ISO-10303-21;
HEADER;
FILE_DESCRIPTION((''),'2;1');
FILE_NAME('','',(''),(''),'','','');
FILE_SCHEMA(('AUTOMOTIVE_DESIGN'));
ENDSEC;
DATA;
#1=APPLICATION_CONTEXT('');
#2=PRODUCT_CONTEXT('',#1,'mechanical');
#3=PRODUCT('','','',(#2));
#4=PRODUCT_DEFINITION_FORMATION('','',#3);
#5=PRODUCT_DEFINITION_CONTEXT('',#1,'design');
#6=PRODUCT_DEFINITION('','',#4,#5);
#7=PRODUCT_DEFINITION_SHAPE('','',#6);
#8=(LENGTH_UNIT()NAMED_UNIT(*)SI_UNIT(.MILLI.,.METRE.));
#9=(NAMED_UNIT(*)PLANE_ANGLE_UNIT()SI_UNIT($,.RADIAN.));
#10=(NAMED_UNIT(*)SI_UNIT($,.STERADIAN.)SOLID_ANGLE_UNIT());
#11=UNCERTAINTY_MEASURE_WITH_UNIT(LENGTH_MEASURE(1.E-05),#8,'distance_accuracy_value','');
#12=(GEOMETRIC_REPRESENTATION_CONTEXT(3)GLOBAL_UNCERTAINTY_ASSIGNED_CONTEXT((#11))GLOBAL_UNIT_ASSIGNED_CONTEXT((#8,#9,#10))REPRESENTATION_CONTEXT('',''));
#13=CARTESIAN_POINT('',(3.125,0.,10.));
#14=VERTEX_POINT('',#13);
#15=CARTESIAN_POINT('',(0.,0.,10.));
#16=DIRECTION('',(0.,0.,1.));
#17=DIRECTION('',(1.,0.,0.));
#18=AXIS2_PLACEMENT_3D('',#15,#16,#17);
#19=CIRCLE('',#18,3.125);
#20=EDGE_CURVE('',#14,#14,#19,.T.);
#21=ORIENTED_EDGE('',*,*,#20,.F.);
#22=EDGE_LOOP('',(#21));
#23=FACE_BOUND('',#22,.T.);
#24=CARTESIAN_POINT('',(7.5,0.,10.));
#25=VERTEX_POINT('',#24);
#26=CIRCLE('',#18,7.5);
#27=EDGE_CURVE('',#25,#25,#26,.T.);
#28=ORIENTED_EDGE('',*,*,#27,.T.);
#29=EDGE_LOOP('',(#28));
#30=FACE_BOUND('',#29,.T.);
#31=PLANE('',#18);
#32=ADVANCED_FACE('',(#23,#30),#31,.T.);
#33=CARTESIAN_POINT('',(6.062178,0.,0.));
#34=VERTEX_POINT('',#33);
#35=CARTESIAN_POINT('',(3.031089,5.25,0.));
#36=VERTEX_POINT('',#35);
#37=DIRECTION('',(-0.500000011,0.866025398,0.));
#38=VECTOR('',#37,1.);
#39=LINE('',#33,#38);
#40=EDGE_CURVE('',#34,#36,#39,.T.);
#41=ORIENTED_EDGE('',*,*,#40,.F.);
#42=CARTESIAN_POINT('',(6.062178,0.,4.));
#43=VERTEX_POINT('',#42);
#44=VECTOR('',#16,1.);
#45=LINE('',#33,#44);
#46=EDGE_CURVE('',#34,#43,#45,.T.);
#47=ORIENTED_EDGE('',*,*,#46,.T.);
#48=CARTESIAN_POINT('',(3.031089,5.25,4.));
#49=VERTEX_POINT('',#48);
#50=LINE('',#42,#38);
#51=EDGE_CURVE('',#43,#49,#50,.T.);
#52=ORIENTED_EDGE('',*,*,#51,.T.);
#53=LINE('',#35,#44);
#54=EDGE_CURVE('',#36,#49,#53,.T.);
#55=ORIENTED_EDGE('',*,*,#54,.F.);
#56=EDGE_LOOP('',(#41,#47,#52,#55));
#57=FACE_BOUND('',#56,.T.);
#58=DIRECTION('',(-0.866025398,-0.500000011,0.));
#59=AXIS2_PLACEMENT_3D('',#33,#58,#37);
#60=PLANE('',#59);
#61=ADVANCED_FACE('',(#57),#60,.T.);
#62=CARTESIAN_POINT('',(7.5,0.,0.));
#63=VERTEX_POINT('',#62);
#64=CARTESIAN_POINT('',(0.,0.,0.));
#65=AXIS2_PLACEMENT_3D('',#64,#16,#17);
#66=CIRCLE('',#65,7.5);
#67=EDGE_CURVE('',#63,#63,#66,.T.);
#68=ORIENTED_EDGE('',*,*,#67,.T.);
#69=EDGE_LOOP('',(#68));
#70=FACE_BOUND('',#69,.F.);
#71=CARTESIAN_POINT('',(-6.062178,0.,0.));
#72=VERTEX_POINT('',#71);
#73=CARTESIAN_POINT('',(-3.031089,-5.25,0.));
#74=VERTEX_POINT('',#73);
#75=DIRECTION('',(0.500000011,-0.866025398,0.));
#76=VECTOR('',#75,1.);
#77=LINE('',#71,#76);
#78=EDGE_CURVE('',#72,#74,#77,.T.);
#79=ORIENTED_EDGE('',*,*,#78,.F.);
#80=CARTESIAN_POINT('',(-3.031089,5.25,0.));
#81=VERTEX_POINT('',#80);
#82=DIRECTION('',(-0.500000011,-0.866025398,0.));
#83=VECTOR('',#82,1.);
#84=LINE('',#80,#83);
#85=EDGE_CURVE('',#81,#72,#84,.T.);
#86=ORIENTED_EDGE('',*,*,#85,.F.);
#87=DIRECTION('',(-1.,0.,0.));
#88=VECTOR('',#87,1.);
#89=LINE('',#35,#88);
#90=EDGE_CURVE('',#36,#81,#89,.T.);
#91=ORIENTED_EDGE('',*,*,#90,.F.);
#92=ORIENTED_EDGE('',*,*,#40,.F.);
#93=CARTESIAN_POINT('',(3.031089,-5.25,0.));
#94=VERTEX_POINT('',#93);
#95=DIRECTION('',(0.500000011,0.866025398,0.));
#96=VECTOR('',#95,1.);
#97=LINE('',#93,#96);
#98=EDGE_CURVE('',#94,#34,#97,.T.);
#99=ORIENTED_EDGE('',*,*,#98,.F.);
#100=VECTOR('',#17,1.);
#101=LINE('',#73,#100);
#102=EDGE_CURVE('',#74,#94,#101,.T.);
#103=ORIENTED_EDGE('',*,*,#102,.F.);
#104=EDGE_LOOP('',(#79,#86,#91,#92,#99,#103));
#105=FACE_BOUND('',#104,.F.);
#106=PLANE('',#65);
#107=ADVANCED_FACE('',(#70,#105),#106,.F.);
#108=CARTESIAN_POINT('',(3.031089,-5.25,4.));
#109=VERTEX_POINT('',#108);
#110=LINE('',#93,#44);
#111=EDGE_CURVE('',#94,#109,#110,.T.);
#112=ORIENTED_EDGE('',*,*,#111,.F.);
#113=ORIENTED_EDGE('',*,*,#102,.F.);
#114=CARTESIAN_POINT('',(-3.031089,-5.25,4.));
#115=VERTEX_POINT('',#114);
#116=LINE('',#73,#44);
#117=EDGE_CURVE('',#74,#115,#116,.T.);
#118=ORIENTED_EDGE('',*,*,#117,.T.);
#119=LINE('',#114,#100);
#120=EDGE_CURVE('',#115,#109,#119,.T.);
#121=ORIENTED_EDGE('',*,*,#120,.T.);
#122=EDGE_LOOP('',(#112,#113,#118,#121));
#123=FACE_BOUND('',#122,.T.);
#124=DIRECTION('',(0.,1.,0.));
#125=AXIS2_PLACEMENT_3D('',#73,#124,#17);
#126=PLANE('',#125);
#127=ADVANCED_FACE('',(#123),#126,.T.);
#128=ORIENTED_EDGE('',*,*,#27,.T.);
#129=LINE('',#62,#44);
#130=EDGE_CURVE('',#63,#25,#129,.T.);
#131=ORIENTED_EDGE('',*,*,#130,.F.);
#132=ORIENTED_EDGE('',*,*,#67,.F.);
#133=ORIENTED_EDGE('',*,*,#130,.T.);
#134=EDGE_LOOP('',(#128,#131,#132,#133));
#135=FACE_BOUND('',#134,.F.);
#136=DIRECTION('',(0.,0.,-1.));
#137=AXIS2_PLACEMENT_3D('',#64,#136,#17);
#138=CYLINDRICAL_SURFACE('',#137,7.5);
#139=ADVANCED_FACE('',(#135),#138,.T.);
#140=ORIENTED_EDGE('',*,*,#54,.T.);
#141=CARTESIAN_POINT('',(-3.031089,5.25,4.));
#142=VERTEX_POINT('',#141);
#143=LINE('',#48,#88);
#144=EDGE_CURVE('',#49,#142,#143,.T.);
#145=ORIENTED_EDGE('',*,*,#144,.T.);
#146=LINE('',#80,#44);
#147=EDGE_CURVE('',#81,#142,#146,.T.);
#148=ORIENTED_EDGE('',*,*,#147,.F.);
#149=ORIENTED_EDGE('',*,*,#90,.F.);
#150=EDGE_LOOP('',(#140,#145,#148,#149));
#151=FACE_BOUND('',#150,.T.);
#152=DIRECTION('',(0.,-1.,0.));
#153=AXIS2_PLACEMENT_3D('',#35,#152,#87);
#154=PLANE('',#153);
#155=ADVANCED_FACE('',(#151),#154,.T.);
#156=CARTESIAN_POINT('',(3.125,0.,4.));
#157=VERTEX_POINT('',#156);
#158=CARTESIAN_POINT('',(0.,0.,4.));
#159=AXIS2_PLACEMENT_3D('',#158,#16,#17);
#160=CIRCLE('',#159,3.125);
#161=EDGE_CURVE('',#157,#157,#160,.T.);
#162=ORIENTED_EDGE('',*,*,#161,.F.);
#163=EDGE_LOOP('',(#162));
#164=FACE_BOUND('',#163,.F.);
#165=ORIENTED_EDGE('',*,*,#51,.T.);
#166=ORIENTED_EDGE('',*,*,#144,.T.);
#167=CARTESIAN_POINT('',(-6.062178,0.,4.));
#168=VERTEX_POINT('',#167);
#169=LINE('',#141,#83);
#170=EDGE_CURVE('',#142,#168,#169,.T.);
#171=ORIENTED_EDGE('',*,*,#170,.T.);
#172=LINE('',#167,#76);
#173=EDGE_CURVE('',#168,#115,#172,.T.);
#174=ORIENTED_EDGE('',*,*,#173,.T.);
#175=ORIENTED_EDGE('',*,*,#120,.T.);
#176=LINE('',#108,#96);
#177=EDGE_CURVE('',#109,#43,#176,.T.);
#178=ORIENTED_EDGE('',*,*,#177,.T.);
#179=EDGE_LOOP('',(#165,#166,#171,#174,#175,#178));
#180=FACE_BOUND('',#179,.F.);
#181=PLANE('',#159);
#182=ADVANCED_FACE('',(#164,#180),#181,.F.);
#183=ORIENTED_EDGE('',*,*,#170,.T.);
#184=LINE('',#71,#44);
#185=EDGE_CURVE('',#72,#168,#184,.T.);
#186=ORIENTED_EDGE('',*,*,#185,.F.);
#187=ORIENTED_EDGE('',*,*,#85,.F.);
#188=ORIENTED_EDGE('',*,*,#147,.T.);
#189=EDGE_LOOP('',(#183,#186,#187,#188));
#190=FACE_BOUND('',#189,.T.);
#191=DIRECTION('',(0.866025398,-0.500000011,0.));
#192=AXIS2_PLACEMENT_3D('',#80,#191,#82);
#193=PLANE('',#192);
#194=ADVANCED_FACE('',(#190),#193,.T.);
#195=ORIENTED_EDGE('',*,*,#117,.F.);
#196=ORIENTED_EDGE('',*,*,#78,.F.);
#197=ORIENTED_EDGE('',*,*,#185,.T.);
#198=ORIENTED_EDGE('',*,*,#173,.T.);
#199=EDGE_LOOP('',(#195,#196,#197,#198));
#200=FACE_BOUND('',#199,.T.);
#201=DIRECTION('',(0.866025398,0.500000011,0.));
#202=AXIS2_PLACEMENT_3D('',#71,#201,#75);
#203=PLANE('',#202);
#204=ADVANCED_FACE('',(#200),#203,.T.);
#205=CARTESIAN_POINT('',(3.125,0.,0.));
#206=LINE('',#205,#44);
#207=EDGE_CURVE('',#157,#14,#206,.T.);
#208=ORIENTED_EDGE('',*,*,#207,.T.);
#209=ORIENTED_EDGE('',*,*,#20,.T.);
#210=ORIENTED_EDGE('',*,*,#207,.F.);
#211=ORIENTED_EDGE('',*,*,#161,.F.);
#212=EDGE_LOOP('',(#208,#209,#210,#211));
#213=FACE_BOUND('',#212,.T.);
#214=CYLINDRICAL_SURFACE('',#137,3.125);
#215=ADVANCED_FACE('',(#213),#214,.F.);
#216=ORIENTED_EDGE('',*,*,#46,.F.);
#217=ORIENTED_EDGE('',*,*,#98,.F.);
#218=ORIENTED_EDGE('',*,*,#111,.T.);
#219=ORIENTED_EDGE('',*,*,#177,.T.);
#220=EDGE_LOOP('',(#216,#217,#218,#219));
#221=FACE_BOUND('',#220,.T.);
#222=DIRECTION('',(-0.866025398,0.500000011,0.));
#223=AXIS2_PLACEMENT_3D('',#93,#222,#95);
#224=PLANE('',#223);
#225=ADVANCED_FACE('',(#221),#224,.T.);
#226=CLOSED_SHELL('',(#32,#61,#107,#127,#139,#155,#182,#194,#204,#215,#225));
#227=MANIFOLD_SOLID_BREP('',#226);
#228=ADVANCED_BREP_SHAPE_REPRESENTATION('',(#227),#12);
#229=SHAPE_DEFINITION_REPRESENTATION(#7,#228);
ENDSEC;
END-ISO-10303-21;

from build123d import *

# Parameters (mm, degrees)
F0_R     = 7.5
F0_R_2   = 3.125
F1_DEPTH = 10
F2_DEPTH = 4


with BuildPart() as f1:
    # F0 (on Top) → F1 (new body)
    with BuildSketch(Plane.XY):
        Circle(F0_R)
        Polygon((3.031089, 5.25), (6.062178, 0), (3.031089, -5.25), (-3.031089, -5.25), (-6.062178, 0), (-3.031089, 5.25), align=None, mode=Mode.SUBTRACT)
        Polygon((3.031089, -5.25), (6.062178, 0), (3.031089, 5.25), (-3.031089, 5.25), (-6.062178, 0), (-3.031089, -5.25), align=None)
        Circle(F0_R_2, mode=Mode.SUBTRACT)
    extrude(amount=F1_DEPTH)

    # F0 (on Top) → F2 (cut)
    with BuildSketch(Plane.XY):
        Polygon((3.031089, -5.25), (6.062178, 0), (3.031089, 5.25), (-3.031089, 5.25), (-6.062178, 0), (-3.031089, -5.25), align=None)
        Circle(F0_R_2, mode=Mode.SUBTRACT)
    extrude(amount=F2_DEPTH, mode=Mode.SUBTRACT)


solid = f1.part
